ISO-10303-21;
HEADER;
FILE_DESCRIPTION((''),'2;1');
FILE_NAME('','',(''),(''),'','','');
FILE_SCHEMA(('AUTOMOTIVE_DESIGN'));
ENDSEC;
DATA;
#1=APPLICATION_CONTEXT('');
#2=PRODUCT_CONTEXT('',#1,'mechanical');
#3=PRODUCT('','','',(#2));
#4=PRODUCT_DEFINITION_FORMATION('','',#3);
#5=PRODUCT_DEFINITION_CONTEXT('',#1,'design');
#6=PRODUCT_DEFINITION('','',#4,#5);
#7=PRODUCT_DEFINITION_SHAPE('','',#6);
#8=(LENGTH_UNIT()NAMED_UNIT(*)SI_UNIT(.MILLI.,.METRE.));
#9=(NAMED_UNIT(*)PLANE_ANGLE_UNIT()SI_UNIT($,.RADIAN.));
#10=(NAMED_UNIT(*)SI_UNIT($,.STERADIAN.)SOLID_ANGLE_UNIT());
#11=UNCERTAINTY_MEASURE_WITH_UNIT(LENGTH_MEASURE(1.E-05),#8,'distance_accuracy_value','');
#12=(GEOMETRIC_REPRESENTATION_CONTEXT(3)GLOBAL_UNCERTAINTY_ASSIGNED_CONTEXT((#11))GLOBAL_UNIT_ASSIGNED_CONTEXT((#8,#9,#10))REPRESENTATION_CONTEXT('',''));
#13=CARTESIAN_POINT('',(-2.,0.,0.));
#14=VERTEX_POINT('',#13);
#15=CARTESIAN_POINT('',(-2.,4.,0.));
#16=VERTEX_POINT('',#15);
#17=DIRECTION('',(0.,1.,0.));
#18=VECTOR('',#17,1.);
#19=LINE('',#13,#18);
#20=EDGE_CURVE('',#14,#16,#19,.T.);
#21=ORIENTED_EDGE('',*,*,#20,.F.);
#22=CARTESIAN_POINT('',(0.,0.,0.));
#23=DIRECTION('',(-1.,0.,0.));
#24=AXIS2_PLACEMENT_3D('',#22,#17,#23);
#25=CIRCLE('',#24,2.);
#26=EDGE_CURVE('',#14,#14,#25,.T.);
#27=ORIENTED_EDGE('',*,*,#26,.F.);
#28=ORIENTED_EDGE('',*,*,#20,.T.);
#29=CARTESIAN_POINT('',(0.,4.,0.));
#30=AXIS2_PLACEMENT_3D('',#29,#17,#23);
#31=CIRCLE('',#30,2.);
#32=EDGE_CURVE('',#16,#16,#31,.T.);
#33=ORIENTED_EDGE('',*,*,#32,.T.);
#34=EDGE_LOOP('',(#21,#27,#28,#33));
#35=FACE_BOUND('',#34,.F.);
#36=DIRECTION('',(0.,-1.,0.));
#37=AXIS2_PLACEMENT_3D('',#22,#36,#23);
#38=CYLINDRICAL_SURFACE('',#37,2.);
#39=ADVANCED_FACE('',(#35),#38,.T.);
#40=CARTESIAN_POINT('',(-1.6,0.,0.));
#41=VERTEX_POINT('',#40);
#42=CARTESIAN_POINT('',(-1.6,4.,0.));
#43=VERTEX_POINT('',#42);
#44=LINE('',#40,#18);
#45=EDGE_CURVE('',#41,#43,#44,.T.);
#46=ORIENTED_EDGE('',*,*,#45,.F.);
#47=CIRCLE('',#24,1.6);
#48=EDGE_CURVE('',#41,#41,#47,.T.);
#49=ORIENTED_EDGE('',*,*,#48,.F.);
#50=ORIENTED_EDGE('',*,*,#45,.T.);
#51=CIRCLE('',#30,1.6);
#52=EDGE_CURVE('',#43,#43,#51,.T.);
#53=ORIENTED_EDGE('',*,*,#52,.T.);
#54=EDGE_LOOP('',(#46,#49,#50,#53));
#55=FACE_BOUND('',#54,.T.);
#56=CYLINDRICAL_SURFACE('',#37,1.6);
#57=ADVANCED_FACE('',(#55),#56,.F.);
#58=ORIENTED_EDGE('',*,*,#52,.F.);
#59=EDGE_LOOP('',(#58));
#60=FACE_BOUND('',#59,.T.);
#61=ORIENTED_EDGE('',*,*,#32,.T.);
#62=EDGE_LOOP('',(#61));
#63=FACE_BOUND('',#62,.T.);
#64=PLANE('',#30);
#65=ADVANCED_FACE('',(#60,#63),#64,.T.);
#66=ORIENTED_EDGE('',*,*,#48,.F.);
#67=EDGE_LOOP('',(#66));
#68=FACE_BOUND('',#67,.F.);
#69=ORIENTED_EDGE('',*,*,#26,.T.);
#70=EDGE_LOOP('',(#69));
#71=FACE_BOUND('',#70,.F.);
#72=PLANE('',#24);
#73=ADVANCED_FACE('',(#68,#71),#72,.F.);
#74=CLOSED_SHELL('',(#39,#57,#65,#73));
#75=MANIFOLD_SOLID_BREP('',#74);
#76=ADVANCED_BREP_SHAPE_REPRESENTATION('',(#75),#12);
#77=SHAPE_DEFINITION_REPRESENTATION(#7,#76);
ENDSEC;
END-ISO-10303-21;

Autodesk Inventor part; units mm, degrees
ref_plane "YZ Plane" through (0, 0, 0) normal (1, 0, 0) x (0, 1, 0)
ref_plane "XZ Plane" through (0, 0, 0) normal (0, 1, 0) x (-1, 0, 0)
ref_plane "XY Plane" through (0, 0, 0) normal (0, 0, 1) x (1, 0, 0)
sketch "Szkic1" plane through (0, 0, 0) normal (0, 1, 0) x (-1, 0, 0)
  circle A0 centre (0, 0) radius 2
  circle A1 centre (0, 0) radius 1.6
  dimension "d0" = 4
  dimension "d1" = 3.2
extrude "Wyciągnięcie proste1" add sketch "Szkic1" along normal blind 4
properties part number "Test"
